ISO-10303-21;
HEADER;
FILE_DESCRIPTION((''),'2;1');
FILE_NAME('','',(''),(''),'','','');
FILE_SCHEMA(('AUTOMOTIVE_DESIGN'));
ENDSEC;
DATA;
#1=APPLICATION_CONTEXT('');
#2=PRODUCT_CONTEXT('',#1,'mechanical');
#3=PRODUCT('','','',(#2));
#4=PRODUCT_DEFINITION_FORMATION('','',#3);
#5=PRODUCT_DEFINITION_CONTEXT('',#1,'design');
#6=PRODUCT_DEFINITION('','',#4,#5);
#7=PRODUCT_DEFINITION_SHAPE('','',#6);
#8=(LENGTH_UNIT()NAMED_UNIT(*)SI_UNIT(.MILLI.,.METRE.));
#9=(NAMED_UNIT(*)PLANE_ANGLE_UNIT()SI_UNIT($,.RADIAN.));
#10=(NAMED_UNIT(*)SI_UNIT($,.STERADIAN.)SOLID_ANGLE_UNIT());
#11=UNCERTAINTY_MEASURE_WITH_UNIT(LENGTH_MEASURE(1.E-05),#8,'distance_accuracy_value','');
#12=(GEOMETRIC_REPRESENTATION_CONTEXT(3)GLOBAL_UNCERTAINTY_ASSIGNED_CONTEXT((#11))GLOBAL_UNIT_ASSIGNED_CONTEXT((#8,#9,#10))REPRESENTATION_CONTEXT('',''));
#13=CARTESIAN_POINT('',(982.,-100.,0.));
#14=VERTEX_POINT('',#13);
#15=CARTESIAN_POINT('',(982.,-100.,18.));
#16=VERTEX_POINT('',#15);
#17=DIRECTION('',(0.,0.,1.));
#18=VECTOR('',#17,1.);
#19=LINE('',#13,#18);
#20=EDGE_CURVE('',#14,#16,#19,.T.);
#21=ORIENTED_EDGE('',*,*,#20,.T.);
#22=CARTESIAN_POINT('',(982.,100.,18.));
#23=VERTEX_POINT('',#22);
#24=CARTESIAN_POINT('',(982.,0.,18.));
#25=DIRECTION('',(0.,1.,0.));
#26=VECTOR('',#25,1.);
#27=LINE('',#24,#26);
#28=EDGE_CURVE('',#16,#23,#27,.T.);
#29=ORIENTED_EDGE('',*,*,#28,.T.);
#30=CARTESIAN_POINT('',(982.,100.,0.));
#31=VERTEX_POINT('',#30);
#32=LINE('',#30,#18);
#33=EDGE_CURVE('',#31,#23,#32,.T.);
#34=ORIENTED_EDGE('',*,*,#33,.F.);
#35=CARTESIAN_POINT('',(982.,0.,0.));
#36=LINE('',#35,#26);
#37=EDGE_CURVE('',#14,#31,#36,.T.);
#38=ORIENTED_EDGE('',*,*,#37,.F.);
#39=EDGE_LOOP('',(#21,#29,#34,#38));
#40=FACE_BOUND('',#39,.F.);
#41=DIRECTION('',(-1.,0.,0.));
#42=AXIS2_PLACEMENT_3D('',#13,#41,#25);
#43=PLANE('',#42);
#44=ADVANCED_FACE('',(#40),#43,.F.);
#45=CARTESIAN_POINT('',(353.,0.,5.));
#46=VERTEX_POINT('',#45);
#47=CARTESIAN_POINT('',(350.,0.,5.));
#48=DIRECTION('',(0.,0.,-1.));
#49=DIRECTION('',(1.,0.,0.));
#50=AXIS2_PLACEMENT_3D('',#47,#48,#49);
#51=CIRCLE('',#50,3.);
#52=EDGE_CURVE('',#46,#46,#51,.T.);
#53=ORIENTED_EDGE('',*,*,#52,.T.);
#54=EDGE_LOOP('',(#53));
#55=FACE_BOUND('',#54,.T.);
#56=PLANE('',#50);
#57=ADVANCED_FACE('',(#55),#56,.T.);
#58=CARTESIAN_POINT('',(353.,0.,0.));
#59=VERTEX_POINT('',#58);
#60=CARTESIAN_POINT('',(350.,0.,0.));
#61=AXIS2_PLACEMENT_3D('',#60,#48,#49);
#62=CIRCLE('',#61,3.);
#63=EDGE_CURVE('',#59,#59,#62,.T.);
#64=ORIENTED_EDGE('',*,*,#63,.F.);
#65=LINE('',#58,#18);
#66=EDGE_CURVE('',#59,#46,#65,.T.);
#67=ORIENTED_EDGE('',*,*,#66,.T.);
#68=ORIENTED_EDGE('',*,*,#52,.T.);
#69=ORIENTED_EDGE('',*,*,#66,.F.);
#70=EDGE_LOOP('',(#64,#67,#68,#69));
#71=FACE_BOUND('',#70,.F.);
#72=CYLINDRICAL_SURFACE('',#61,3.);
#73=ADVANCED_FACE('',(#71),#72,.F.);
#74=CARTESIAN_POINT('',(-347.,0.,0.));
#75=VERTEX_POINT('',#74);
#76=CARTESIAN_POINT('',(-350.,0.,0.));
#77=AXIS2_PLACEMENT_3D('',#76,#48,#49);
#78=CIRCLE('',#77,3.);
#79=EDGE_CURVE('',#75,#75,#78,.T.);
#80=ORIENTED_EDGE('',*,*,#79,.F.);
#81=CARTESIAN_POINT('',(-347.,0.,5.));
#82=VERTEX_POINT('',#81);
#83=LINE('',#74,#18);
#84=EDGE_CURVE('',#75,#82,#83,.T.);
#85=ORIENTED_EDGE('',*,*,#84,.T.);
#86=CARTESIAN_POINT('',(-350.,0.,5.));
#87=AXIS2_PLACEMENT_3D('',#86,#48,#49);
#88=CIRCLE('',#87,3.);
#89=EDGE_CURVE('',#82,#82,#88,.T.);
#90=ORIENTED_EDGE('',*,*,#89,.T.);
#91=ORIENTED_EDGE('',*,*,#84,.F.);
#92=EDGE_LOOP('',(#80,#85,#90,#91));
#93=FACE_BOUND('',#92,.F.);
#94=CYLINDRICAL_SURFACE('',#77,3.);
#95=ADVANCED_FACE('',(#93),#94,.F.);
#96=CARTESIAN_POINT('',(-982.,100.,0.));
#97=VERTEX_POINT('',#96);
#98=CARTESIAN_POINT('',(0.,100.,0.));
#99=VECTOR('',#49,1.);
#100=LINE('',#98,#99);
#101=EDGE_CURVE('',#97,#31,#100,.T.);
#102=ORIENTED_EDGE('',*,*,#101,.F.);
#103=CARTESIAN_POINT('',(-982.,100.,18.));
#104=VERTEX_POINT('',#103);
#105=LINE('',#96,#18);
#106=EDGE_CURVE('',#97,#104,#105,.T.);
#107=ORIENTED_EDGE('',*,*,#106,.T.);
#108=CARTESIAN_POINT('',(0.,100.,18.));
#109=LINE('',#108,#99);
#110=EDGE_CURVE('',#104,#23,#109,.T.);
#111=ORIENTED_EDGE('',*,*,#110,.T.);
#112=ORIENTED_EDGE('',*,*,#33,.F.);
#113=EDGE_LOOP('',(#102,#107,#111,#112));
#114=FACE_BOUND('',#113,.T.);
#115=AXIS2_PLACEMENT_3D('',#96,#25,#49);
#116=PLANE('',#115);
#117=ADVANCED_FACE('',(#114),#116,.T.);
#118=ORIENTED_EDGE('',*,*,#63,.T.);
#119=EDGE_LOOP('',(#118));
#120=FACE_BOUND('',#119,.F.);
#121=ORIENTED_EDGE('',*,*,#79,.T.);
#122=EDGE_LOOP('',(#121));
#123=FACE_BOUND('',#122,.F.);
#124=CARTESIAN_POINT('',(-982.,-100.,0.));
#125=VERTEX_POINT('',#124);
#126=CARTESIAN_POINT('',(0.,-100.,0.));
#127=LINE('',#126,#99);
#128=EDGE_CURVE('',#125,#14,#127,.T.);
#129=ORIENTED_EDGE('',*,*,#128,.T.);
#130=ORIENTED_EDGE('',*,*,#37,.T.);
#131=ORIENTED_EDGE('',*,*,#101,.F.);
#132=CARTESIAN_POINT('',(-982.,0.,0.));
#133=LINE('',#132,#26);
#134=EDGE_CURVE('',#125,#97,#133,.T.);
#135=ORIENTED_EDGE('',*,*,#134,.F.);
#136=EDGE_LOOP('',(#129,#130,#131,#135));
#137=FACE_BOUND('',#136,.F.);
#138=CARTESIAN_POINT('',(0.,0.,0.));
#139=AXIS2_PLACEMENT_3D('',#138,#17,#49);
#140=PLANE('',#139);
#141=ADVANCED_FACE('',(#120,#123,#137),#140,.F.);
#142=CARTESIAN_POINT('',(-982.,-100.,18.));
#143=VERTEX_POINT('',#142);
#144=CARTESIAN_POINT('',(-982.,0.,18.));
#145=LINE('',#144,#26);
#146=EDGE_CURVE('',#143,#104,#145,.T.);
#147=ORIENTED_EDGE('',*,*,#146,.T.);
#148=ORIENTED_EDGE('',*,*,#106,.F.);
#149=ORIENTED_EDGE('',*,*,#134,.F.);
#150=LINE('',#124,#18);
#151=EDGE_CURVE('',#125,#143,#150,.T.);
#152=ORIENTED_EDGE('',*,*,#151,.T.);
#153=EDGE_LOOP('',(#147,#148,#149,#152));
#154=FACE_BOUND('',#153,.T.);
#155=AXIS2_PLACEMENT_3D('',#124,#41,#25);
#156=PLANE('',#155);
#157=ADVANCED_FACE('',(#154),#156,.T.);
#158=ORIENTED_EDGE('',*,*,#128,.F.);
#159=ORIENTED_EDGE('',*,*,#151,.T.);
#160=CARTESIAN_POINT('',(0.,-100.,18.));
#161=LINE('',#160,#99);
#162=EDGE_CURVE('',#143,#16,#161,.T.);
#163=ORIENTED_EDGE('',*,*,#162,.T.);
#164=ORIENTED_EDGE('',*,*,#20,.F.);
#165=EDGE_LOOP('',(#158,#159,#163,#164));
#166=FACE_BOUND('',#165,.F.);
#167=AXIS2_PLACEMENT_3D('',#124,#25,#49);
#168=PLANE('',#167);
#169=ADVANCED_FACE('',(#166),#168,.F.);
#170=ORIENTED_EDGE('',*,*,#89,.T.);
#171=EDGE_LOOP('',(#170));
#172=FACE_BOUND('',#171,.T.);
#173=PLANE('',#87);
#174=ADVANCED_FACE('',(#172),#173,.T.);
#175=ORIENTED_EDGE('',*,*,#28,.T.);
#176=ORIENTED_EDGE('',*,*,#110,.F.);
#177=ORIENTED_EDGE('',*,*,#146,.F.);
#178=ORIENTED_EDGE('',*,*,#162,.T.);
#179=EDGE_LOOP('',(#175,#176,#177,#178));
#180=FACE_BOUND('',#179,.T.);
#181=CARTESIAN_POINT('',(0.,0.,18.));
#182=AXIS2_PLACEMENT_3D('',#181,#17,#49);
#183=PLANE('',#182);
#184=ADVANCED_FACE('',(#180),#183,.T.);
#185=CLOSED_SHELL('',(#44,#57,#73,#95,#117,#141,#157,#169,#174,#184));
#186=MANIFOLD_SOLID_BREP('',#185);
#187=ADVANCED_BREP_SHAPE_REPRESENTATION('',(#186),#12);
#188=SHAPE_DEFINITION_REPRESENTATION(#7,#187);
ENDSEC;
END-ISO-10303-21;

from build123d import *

# Parameters (mm, degrees)
F0_W     = 1964
F0_H     = 200
F1_DEPTH = 18
F2_R     = 3
F3_DEPTH = 5


with BuildPart() as f1:
    # F0 (on Top) → F1 (new body)
    with BuildSketch(Plane.XY):
        Rectangle(F0_W, F0_H)
    extrude(amount=F1_DEPTH)

    # F2 (on face) → F3 (cut)
    with BuildSketch(Plane(origin=(0, 0, 0), x_dir=(1, 0, 0), z_dir=(0, 0, -1))):
        with Locations((-350, 0)):
            Circle(F2_R)
        with Locations((350, 0)):
            Circle(F2_R)
    extrude(amount=-F3_DEPTH, mode=Mode.SUBTRACT)


solid = f1.part
